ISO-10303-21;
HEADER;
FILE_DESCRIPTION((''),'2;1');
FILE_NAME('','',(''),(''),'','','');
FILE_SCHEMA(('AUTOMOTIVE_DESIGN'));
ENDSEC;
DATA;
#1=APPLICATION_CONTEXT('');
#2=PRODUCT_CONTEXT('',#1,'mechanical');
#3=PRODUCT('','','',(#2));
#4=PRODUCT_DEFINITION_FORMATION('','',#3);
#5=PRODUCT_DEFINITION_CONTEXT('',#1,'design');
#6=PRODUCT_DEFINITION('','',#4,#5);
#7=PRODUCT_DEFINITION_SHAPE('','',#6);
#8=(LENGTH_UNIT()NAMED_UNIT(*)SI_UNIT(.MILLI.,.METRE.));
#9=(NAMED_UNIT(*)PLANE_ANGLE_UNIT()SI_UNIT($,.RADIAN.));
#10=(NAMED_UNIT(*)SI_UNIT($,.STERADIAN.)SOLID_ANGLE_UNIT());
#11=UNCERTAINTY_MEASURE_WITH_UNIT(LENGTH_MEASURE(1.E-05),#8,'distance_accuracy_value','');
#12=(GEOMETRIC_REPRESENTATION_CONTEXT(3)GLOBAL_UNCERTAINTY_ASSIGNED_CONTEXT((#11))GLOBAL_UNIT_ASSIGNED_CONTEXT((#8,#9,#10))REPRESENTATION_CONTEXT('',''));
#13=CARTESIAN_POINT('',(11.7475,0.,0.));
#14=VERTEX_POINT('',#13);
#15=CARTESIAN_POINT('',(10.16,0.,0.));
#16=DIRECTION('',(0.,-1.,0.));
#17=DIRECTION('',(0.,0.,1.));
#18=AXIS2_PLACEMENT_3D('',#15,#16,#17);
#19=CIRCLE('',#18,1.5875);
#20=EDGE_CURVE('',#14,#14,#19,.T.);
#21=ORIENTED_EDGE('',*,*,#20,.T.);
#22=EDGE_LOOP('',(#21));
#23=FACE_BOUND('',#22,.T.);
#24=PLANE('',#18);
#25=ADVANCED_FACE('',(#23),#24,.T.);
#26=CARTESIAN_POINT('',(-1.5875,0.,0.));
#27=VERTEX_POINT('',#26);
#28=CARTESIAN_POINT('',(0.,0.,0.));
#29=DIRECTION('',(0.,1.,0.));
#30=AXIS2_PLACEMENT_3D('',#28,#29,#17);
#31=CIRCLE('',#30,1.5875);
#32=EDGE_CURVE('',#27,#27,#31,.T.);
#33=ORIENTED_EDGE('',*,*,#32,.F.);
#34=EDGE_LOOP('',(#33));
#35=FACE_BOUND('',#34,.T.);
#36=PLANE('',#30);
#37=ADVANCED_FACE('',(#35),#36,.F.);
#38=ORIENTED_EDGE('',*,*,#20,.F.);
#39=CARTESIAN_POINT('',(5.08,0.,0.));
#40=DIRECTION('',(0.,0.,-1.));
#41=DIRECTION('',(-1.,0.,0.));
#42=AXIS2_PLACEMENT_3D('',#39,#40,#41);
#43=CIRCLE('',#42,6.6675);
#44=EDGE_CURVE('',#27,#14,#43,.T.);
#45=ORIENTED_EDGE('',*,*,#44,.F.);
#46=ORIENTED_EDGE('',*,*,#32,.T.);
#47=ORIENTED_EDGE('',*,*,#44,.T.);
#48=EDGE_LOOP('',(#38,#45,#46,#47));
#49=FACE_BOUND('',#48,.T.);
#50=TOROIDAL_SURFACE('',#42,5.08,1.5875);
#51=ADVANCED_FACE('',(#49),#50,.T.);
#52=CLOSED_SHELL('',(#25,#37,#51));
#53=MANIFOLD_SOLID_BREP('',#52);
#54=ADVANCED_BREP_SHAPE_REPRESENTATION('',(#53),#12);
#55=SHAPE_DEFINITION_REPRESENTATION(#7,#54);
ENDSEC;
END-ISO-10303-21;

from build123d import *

# Parameters (mm, degrees)
SKETCH1_R = 1.5875


with BuildPart() as part:
    # Sweep1: sweep along a path in Sketch2
    with BuildLine(Plane.XY) as sweep1_path:
        ThreePointArc((0, 0), (5.08, 5.08), (10.16, 0))
    # Sketch1 → Sweep1 (sweep)
    with BuildSketch(Plane(origin=(0, 0, 0), x_dir=(1, 0, 0), z_dir=(0, 1, 0))):
        Circle(SKETCH1_R)
    sweep(path=sweep1_path.line)


solid = part.part
